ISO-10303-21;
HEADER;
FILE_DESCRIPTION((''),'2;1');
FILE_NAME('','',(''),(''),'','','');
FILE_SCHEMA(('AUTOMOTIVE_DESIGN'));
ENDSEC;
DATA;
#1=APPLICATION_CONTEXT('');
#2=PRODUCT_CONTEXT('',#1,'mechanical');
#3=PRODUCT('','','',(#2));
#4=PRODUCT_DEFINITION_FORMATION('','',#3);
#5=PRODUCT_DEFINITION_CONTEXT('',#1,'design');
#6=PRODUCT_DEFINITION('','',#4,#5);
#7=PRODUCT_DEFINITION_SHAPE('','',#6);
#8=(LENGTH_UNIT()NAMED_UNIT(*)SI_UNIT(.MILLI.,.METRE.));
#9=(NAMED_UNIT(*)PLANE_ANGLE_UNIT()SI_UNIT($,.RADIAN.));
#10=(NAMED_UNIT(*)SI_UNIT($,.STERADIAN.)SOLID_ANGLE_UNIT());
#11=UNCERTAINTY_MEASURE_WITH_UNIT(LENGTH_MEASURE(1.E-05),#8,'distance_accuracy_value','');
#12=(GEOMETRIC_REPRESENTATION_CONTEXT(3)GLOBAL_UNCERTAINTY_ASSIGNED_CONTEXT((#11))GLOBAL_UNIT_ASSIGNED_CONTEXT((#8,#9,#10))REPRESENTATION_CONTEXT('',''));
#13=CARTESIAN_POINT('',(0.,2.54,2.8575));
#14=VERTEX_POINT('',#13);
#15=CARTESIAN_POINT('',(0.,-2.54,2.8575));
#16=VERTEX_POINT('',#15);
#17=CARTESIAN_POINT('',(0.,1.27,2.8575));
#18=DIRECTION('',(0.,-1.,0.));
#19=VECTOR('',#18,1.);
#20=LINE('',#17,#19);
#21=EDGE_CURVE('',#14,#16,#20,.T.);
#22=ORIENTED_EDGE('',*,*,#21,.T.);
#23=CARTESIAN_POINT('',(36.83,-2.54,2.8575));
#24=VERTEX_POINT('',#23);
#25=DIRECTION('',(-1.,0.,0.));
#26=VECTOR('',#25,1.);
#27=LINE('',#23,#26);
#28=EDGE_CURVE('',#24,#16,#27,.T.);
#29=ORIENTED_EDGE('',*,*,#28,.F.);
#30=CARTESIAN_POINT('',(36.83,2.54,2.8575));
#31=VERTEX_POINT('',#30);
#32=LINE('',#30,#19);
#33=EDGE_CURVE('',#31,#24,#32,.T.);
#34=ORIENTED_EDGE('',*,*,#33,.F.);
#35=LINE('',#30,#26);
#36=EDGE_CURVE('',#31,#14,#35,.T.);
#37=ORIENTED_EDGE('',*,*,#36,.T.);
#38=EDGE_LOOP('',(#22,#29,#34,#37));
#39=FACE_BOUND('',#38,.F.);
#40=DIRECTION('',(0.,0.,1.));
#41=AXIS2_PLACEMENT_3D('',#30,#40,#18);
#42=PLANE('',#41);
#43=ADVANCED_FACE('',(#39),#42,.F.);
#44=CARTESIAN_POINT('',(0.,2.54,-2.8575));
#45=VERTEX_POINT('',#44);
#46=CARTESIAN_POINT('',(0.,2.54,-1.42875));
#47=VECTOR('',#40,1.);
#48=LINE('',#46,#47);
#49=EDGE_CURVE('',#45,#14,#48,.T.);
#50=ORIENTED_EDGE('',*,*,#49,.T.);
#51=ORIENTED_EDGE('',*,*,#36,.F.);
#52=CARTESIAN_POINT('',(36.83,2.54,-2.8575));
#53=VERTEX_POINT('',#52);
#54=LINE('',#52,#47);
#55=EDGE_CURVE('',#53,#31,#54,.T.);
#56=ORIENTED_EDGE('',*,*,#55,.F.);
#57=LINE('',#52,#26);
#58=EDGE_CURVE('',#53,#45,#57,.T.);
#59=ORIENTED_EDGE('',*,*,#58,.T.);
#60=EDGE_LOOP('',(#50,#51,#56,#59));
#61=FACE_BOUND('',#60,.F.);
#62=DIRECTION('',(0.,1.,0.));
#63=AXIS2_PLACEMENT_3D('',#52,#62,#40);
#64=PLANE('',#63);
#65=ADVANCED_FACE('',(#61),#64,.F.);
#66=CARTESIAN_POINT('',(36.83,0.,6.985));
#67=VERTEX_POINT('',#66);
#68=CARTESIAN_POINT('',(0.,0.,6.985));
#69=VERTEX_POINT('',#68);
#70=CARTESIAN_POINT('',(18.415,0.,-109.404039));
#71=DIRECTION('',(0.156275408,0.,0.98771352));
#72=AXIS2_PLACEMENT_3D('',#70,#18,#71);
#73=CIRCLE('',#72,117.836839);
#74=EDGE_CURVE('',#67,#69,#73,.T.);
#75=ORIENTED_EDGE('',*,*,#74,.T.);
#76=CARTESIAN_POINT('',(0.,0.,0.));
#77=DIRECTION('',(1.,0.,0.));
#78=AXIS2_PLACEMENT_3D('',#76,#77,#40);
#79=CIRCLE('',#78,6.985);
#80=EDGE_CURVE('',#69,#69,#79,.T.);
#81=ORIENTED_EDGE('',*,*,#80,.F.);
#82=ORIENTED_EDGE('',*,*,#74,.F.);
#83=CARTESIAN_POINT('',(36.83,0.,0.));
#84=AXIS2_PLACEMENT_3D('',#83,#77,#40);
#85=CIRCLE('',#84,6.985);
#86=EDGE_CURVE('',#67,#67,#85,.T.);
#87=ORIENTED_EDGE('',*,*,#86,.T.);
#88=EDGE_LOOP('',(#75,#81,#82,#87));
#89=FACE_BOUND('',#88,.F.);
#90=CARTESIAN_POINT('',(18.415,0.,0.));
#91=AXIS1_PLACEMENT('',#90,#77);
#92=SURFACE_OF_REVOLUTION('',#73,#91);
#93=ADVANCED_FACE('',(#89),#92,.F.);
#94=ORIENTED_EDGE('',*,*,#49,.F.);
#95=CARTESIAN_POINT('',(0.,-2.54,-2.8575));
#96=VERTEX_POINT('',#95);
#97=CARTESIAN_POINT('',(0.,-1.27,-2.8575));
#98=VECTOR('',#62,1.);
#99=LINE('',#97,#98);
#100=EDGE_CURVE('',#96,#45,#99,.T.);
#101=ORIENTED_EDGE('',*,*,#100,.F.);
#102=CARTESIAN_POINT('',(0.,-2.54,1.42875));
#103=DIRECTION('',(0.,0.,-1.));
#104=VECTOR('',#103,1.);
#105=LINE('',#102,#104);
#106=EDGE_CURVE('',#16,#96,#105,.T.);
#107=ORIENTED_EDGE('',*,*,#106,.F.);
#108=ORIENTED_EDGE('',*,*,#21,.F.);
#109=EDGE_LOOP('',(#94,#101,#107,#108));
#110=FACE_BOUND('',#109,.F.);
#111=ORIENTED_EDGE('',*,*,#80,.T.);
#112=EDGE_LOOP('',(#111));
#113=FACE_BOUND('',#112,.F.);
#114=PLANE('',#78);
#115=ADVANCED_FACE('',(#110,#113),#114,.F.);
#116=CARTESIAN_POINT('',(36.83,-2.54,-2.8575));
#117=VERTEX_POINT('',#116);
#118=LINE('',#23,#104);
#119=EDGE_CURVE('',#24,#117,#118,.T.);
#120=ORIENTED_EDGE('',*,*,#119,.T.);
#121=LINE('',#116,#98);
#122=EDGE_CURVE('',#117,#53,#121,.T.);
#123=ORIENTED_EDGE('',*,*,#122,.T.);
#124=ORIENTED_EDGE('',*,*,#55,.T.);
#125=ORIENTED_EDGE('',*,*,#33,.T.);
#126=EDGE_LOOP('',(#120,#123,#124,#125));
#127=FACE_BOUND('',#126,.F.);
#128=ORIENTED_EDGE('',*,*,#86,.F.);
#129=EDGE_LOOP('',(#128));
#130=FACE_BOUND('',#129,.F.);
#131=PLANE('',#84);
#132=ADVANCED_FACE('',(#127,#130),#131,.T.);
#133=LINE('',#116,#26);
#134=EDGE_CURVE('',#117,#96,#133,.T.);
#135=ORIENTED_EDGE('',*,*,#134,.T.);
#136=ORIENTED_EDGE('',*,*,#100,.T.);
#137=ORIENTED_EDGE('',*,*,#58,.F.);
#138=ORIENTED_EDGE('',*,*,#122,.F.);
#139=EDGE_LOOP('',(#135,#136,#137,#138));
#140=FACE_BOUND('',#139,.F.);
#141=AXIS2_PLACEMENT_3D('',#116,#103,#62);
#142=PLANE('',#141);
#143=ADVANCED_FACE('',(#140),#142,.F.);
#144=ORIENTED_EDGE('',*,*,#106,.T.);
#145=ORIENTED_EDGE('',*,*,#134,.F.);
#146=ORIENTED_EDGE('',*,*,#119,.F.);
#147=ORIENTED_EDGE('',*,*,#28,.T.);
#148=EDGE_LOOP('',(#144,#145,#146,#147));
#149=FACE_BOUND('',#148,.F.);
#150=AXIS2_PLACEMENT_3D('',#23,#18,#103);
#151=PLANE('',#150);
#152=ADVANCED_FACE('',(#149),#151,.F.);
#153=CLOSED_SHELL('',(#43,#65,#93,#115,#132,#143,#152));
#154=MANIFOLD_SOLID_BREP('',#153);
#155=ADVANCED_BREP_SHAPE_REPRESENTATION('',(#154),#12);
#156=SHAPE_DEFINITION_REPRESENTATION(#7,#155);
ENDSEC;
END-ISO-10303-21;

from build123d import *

# Parameters (mm, degrees)
F3_DEPTH = 45.974


with BuildPart() as f1:
    # F0 (on Front) → F1 (revolve)
    with BuildSketch(Plane.XZ):
        with BuildLine():
            Line((0, 6.985), (0, 0))
            Line((0, 0), (36.83, 0))
            Line((36.83, 0), (36.83, 6.985))
            ThreePointArc((36.83, 6.985), (18.415, 8.4328), (0, 6.985))
        make_face()
    revolve(axis=Axis((18.415, 0, 0), (1, 0, 0)))

    # F2 (on face) → F3 (cut)
    with BuildSketch(Plane.YZ.offset(36.83)):
        Polygon((2.54, -2.8575), (2.54, 0), (2.54, 2.8575), (-2.54, 2.8575), (-2.54, 0), (-2.54, -2.8575), align=None)
    extrude(amount=-F3_DEPTH, mode=Mode.SUBTRACT)


solid = f1.part
